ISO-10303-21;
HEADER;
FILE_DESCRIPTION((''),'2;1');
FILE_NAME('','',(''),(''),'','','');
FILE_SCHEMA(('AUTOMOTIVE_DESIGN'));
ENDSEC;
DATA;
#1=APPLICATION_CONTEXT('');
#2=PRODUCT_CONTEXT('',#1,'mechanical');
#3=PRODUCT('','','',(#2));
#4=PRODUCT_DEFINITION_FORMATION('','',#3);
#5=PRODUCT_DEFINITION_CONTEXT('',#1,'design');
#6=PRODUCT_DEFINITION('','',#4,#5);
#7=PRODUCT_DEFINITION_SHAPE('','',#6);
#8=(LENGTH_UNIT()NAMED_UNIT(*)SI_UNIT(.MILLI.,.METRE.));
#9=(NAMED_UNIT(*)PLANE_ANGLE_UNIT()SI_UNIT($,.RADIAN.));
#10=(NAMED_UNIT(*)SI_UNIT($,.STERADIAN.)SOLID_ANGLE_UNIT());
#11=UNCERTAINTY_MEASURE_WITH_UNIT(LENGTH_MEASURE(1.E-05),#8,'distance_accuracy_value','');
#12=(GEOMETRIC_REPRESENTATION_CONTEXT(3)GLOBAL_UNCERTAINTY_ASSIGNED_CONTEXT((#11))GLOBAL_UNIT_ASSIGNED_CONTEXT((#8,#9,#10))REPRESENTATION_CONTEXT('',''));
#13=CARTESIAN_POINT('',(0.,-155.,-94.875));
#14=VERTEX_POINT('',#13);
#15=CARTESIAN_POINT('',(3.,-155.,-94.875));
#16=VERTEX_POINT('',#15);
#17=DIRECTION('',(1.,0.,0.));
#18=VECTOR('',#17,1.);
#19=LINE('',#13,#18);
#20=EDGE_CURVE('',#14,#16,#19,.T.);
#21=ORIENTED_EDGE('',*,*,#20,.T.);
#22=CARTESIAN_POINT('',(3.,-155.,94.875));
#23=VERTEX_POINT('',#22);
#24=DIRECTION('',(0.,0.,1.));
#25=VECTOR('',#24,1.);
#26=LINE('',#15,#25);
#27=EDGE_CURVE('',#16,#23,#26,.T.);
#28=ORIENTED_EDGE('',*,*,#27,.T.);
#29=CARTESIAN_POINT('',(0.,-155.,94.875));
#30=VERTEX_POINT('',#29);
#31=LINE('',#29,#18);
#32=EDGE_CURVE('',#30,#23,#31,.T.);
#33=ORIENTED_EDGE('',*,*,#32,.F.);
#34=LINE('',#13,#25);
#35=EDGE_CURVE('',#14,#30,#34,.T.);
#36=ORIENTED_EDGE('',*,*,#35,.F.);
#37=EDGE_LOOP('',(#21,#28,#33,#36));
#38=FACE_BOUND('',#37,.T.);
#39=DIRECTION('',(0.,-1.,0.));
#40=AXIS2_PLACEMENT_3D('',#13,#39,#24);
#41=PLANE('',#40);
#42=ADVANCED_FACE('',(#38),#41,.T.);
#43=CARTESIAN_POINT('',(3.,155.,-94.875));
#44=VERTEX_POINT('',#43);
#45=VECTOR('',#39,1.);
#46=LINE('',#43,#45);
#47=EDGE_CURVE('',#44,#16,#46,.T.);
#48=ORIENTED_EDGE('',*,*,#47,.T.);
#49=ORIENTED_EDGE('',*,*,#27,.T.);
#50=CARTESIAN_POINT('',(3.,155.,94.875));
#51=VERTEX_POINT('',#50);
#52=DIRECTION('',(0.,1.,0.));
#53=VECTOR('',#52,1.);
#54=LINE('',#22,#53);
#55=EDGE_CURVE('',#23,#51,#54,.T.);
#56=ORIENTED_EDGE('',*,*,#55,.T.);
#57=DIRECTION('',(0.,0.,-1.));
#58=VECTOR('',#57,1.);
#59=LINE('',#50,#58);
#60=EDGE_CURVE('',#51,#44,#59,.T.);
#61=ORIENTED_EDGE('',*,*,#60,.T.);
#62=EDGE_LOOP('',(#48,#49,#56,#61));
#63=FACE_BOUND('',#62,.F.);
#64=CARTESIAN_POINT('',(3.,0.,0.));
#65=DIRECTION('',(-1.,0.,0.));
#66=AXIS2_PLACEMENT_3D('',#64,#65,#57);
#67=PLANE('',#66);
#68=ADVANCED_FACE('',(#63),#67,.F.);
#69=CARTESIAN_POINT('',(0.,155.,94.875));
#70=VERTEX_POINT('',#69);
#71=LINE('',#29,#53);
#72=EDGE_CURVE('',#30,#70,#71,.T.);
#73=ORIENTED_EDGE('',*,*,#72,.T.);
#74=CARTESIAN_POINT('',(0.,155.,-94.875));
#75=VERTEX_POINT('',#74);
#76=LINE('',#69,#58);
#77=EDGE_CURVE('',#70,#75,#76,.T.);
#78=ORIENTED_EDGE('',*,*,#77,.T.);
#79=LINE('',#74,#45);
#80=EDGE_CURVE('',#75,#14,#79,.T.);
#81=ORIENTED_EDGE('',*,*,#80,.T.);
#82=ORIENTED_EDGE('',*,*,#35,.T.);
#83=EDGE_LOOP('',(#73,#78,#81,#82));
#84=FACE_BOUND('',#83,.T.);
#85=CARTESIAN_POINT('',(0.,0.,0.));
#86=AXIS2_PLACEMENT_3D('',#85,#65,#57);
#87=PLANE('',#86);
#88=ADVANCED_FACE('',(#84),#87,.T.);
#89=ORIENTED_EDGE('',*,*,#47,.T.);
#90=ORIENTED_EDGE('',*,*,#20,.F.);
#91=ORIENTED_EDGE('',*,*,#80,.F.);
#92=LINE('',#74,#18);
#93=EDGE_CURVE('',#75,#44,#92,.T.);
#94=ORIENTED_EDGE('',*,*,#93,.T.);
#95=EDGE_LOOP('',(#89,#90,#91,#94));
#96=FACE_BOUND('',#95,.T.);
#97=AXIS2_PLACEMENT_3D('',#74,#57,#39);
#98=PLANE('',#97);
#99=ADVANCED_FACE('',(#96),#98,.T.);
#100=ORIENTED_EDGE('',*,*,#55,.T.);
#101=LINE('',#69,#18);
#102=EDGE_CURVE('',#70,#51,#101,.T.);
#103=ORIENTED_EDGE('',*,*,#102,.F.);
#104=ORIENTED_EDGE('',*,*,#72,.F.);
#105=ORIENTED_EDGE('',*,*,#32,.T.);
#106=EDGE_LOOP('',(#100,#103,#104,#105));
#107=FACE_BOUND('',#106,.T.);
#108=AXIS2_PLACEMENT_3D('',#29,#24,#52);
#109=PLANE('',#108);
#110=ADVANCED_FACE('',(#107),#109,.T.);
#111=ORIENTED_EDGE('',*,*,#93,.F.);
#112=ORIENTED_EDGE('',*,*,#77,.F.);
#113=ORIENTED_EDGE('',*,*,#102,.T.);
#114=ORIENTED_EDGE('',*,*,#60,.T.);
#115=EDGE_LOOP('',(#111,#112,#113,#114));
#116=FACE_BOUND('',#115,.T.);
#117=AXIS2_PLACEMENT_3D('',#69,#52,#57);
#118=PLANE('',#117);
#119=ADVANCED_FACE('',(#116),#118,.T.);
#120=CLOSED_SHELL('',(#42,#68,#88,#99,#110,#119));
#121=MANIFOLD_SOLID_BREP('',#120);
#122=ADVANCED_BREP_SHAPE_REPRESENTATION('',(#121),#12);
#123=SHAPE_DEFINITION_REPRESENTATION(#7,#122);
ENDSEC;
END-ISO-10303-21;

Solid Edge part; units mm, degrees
sketch "Sketch1" plane through (0, 0, 0) normal (-1, 0, 0) x (0, -1, 0)
  line L0 (-155, -94.875) -> (155, -94.875)
  line L1 (155, -94.875) -> (155, 94.875)
  line L2 (155, 94.875) -> (-155, 94.875)
  line L3 (-155, 94.875) -> (-155, -94.875)
  dimension "D1" = 310
  dimension "D2" = 189.75
extrude "Protrusion1" add sketch "Sketch1" against normal blind 3
